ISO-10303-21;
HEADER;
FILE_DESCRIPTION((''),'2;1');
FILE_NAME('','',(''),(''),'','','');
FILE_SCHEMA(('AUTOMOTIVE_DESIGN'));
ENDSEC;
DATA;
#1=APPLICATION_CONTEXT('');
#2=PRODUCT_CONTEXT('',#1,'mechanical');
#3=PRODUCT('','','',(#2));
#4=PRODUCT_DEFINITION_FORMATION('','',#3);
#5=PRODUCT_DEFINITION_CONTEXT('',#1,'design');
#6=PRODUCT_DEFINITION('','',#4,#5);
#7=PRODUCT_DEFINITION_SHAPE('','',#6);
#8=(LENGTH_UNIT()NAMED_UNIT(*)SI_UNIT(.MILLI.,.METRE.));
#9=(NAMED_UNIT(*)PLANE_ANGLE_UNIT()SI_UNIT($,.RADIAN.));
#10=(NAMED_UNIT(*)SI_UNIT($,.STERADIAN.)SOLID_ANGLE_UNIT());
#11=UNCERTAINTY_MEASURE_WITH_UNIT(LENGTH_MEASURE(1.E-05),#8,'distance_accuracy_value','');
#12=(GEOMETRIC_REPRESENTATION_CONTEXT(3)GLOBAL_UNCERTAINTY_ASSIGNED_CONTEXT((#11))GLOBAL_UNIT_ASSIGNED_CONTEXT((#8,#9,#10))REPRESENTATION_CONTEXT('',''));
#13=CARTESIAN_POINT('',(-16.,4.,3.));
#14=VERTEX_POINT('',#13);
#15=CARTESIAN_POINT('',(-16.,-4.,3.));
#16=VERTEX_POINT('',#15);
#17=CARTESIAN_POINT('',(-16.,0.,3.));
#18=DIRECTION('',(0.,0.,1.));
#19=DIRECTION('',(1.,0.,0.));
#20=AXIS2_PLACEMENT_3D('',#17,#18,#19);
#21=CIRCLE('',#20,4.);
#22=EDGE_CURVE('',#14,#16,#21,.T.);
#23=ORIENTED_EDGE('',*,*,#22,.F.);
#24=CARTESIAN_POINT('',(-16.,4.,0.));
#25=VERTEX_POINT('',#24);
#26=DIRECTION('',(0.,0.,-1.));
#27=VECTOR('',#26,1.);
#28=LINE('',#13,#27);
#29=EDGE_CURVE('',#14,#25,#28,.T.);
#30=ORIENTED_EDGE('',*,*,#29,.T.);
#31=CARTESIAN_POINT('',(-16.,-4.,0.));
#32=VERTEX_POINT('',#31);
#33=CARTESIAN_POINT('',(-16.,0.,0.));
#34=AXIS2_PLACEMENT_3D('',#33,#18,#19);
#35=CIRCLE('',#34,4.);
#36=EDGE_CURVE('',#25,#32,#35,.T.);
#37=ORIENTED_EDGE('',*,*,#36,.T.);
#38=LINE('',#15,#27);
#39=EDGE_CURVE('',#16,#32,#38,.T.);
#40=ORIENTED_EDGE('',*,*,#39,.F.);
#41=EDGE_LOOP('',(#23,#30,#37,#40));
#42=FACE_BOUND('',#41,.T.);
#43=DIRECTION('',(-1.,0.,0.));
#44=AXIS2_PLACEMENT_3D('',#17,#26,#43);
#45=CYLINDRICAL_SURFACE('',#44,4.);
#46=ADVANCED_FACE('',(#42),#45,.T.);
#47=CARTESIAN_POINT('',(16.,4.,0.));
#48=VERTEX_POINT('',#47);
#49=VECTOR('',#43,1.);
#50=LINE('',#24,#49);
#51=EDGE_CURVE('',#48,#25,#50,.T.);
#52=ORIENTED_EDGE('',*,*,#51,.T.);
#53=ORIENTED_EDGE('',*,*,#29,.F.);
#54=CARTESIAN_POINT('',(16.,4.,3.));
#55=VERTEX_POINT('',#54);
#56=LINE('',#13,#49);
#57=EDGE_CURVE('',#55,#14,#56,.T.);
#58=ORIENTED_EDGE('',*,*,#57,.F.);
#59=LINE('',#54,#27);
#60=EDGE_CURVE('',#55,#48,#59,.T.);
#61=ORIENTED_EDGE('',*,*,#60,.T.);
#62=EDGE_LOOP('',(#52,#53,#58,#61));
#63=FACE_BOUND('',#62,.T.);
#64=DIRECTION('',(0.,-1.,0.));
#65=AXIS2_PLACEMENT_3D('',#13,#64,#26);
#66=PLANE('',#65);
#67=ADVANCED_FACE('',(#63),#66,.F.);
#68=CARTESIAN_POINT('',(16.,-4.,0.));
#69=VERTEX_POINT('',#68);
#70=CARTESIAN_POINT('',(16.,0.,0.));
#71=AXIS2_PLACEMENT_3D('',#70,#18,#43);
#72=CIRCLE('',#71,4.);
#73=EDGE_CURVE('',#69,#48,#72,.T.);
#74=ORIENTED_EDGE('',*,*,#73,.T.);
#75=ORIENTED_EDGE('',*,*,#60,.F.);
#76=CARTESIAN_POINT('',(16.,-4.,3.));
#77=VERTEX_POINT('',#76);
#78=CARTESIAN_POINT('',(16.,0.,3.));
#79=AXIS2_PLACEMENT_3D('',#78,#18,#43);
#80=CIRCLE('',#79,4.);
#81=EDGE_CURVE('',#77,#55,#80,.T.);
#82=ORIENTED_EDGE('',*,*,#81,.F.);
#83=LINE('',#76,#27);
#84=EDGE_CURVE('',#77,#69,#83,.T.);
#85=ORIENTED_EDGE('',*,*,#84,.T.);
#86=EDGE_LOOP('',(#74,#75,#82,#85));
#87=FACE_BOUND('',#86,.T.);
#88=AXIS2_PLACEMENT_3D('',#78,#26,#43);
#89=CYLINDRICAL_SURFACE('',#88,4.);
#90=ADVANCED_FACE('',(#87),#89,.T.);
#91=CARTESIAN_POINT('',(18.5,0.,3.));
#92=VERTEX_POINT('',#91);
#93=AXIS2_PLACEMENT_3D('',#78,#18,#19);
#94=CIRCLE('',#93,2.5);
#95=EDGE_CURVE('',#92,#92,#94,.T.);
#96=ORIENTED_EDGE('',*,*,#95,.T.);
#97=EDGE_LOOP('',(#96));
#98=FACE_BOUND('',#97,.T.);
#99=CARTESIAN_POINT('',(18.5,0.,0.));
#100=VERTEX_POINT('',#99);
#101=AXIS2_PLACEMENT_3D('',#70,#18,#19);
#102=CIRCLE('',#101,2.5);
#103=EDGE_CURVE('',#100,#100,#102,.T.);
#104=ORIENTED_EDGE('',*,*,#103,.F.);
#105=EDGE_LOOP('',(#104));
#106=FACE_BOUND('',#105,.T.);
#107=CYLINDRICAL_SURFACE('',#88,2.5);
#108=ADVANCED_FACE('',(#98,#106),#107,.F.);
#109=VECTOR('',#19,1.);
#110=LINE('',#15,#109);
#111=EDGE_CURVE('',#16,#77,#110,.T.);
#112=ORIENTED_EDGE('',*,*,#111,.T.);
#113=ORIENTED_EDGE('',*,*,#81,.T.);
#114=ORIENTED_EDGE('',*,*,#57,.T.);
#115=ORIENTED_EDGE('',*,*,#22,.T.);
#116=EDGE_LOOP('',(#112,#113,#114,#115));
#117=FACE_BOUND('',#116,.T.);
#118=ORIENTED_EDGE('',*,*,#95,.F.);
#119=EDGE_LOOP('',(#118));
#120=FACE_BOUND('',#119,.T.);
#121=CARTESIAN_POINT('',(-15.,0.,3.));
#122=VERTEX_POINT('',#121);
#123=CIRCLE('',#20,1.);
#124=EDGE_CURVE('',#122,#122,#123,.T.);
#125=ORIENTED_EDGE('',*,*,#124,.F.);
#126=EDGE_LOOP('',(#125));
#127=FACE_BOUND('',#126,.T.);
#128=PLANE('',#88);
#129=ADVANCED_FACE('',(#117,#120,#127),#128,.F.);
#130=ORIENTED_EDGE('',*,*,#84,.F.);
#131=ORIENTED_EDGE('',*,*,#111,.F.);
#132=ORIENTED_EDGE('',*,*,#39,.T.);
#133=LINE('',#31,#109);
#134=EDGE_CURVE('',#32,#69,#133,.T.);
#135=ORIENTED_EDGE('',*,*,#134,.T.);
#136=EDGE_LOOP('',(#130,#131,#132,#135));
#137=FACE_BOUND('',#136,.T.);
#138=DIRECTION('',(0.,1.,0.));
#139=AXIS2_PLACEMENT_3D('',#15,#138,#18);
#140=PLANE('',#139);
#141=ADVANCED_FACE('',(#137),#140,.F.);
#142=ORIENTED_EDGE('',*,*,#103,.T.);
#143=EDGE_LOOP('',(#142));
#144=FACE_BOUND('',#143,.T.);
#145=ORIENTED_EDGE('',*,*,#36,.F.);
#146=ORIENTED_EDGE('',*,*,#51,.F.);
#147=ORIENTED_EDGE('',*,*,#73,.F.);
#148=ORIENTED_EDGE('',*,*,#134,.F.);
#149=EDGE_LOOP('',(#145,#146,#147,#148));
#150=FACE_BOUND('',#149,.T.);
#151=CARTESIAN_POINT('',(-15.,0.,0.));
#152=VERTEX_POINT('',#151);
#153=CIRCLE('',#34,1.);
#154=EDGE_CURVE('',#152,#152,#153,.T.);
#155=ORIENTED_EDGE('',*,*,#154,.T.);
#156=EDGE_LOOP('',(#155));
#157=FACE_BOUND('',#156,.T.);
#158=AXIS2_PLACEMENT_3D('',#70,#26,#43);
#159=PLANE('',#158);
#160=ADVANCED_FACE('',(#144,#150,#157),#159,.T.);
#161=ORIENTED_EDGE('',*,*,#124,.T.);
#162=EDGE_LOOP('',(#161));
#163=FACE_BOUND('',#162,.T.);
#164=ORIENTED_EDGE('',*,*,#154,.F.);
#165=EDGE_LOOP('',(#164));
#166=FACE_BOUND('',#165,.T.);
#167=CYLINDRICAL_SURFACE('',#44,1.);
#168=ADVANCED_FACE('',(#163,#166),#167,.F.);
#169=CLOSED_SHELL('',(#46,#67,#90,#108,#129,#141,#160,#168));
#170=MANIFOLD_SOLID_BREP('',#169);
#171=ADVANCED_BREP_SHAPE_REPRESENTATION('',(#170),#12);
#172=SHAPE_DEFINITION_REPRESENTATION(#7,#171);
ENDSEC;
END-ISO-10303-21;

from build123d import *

# Parameters (mm, degrees)
SKETCH1_R           = 1
SKETCH1_R_2         = 2.5
BOSS_EXTRUDE1_DEPTH = 3


with BuildPart() as part:
    # Sketch1 → Boss-Extrude1 (new body)
    with BuildSketch(Plane.XY):
        with BuildLine():
            Line((-16, 4), (16, 4))
            ThreePointArc((16, 4), (20, 0), (16, -4))
            Line((16, -4), (-16, -4))
            ThreePointArc((-16, -4), (-20, 0), (-16, 4))
        make_face()
        with Locations((-16, 0)):
            Circle(SKETCH1_R, mode=Mode.SUBTRACT)
        with Locations((16, 0)):
            Circle(SKETCH1_R_2, mode=Mode.SUBTRACT)
    extrude(amount=BOSS_EXTRUDE1_DEPTH)


solid = part.part
